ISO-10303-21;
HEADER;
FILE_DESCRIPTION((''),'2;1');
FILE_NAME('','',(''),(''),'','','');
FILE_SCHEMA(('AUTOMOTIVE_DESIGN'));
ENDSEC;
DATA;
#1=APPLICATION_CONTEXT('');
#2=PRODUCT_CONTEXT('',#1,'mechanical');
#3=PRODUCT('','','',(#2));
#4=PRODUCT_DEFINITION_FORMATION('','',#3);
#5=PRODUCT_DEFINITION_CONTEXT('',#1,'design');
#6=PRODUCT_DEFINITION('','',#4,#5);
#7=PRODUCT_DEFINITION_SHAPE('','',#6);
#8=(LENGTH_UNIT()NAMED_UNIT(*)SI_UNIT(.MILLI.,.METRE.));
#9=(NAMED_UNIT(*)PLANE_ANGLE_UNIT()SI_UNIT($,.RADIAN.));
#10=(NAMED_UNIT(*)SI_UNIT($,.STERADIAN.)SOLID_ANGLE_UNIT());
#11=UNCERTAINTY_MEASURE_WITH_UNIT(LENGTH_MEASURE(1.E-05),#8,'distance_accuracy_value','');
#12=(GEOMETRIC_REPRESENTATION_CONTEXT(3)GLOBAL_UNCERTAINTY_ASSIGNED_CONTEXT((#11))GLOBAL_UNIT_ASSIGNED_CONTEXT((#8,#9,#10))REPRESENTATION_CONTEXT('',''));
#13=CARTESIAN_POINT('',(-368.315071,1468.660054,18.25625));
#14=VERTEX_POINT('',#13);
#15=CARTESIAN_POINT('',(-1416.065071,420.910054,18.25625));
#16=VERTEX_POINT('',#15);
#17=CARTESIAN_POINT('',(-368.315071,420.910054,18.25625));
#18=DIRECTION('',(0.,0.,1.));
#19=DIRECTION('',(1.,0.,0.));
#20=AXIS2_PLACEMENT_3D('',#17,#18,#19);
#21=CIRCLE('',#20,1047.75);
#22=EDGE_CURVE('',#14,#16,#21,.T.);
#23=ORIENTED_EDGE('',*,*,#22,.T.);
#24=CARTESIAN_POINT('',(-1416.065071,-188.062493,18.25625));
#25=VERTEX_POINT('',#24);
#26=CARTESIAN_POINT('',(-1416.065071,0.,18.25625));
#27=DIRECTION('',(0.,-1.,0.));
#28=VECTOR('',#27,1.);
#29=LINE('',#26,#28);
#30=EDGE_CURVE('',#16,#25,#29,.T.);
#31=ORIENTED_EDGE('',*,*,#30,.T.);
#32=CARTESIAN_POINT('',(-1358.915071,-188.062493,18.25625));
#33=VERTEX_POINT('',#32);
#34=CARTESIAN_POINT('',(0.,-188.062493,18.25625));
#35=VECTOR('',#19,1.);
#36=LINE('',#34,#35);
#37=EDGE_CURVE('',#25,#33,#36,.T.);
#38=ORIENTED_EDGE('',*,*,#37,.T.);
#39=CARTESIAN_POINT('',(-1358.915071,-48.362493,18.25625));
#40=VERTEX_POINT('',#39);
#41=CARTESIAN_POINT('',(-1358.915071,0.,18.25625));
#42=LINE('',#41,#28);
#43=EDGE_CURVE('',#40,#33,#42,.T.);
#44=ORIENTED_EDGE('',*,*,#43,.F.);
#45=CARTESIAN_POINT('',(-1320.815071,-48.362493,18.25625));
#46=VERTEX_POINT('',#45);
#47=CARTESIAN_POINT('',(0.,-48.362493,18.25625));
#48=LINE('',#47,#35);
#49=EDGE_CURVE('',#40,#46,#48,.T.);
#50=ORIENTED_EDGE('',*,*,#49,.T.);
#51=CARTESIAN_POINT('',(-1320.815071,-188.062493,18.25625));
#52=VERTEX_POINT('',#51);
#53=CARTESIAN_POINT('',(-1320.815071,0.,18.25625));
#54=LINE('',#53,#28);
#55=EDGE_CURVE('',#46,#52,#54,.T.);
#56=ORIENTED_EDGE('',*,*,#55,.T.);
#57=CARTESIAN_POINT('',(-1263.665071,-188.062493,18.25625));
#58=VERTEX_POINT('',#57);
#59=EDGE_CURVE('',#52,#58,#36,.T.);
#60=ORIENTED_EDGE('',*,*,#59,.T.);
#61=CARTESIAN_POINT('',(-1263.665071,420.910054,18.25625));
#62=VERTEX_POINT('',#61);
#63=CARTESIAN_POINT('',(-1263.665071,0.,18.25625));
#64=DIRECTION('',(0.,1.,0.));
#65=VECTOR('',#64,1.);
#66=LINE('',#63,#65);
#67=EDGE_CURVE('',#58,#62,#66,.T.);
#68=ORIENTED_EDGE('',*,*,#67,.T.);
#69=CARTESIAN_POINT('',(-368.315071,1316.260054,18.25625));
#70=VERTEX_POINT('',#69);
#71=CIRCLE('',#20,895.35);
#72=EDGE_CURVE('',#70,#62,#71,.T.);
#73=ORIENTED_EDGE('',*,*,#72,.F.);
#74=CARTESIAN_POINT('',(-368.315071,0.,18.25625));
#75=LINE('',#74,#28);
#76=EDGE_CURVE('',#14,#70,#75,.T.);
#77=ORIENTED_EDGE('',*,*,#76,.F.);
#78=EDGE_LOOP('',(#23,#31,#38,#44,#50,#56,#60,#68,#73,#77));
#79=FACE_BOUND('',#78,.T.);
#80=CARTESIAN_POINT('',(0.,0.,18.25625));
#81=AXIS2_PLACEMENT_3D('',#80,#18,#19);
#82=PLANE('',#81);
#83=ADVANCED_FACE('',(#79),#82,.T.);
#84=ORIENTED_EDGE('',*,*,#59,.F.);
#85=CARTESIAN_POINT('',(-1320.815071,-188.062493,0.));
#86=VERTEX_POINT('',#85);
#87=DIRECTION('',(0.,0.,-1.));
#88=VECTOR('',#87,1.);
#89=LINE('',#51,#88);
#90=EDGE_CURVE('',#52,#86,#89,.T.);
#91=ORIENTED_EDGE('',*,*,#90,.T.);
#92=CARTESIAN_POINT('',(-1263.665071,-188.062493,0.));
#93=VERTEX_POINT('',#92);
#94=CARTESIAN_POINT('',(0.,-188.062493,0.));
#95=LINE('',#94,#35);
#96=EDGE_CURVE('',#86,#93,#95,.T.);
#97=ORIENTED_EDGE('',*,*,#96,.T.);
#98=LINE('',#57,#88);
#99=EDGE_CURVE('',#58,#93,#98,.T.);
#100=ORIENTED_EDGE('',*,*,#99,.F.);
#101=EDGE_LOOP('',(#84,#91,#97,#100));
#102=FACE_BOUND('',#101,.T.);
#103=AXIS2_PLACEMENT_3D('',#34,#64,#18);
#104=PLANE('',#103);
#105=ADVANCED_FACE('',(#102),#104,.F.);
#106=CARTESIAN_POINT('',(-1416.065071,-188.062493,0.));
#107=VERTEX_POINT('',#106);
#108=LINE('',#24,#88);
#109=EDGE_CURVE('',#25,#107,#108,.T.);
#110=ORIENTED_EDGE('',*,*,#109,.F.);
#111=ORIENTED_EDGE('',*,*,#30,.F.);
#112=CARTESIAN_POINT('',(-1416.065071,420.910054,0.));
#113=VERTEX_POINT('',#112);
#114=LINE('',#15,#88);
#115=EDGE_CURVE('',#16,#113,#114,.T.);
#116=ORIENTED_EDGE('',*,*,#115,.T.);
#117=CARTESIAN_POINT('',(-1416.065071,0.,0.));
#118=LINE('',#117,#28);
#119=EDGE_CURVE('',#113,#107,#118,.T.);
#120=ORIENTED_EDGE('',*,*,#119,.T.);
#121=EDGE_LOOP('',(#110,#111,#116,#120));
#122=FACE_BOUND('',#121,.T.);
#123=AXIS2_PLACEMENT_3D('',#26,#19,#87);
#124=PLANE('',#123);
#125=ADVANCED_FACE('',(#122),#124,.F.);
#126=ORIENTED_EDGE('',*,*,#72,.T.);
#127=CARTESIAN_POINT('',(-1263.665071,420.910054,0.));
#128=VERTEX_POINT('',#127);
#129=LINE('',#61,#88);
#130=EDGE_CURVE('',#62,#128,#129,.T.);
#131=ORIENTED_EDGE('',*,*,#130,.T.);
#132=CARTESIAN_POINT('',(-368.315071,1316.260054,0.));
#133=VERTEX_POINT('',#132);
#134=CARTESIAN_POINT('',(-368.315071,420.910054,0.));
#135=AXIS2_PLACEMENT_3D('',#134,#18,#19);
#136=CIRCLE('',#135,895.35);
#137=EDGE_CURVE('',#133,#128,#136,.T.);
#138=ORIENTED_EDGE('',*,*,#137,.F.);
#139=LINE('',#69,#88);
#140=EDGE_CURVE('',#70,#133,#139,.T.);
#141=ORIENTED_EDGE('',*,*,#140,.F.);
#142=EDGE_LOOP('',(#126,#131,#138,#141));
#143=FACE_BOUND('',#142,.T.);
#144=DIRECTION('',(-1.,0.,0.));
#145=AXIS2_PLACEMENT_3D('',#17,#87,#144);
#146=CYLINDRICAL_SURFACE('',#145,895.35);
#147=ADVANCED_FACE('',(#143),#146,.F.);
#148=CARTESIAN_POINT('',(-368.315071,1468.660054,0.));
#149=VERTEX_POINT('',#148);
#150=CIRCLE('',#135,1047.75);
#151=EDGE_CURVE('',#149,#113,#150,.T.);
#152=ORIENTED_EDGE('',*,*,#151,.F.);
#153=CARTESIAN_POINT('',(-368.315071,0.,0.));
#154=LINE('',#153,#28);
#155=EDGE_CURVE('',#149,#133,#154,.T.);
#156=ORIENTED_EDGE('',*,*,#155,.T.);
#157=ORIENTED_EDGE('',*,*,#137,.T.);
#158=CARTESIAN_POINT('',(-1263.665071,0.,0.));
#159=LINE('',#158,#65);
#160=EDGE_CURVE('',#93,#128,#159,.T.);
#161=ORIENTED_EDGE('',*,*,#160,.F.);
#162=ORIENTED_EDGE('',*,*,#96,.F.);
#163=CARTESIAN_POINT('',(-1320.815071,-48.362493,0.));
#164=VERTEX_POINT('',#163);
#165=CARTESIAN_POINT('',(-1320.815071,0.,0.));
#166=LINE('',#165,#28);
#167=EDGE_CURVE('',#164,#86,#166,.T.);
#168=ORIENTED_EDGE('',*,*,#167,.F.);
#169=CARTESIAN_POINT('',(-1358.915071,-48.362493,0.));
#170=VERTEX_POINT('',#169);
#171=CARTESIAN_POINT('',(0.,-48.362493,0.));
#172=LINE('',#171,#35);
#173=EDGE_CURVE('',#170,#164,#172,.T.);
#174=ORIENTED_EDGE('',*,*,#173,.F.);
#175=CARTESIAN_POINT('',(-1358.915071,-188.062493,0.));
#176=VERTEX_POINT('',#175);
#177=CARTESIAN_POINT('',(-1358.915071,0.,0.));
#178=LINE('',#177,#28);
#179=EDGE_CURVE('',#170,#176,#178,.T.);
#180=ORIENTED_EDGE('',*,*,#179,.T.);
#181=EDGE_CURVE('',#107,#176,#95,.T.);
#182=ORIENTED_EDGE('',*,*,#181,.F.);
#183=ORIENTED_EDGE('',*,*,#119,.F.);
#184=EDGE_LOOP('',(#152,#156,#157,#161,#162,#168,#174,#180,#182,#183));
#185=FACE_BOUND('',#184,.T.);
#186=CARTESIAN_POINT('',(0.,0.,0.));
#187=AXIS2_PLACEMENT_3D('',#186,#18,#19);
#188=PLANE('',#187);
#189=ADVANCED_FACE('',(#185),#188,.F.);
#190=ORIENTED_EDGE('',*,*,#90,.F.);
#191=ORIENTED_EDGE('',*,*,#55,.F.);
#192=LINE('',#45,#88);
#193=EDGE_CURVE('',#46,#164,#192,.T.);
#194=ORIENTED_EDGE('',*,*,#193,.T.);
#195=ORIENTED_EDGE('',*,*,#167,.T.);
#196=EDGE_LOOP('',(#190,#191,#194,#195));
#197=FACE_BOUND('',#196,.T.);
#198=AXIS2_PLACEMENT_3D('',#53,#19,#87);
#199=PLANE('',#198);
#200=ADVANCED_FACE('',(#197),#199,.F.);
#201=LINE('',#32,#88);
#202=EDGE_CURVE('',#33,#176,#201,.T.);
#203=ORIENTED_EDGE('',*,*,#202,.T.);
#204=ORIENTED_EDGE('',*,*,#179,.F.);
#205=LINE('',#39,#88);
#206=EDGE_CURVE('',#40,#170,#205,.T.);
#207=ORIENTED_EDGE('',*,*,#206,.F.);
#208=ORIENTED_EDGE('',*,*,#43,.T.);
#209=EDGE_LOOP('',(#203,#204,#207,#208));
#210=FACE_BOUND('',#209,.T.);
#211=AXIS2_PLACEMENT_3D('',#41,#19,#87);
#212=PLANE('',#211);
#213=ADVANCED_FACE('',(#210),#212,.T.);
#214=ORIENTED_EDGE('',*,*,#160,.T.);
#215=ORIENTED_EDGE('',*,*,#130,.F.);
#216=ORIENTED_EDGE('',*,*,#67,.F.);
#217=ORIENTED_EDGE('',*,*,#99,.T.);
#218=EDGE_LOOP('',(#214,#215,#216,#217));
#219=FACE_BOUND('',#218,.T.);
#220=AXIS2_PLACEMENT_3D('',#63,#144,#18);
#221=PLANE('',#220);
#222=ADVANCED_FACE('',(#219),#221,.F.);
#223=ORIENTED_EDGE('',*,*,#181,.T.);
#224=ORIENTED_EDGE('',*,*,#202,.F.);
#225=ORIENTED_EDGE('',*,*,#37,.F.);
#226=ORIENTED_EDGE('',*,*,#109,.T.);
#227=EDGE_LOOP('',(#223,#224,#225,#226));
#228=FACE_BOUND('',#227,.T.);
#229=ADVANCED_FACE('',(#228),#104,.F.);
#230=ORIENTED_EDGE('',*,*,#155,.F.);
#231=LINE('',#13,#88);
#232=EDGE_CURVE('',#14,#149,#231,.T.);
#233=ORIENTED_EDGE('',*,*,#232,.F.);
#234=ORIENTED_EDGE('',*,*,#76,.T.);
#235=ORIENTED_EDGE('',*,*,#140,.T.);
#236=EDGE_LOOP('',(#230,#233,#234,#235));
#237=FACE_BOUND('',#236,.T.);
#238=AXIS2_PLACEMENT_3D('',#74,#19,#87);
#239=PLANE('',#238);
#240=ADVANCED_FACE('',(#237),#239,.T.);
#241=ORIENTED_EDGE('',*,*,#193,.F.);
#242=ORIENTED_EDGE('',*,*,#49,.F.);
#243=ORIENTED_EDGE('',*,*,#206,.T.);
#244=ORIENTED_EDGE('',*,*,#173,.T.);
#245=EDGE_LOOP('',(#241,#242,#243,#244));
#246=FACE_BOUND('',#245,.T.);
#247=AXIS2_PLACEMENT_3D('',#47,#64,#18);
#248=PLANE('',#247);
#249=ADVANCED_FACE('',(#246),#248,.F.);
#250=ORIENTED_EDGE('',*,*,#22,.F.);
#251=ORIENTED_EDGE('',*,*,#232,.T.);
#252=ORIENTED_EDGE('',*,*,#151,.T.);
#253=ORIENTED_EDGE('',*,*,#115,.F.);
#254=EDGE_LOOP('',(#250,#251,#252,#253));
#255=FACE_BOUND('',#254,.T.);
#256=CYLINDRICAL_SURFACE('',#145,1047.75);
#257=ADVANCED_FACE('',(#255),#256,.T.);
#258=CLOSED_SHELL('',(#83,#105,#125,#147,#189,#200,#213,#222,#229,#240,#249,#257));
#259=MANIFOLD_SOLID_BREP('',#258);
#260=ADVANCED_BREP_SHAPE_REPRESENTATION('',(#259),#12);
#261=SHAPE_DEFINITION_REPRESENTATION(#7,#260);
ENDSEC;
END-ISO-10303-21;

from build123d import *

# Parameters (mm, degrees)
BOSS_EXTRUDE1_DEPTH = 18.25625


with BuildPart() as part:
    # Sketch1 → Boss-Extrude1 (new body)
    with BuildSketch(Plane.XY):
        with BuildLine():
            ThreePointArc((-368.315070695, 1468.660053657), (-1109.186200683, 1161.781183645), (-1416.065070695, 420.910053657))
            Line((-1416.065070695, 420.910053657), (-1416.065070695, -188.062492737))
            Line((-1416.065070695, -188.062492737), (-1358.915070695, -188.062492737))
            Line((-1358.915070695, -188.062492737), (-1358.915070695, -48.362492737))
            Line((-1358.915070695, -48.362492737), (-1320.815070695, -48.362492737))
            Line((-1320.815070695, -48.362492737), (-1320.815070695, -188.062492737))
            Line((-1320.815070695, -188.062492737), (-1263.665070695, -188.062492737))
            Line((-1263.665070695, -188.062492737), (-1263.665070695, 420.910053657))
            ThreePointArc((-1263.665070695, 420.910053657), (-1001.42312723, 1054.018110192), (-368.315070695, 1316.260053657))
            Line((-368.315070695, 1316.260053657), (-368.315070695, 1468.660053657))
        make_face()
    extrude(amount=BOSS_EXTRUDE1_DEPTH)


solid = part.part
